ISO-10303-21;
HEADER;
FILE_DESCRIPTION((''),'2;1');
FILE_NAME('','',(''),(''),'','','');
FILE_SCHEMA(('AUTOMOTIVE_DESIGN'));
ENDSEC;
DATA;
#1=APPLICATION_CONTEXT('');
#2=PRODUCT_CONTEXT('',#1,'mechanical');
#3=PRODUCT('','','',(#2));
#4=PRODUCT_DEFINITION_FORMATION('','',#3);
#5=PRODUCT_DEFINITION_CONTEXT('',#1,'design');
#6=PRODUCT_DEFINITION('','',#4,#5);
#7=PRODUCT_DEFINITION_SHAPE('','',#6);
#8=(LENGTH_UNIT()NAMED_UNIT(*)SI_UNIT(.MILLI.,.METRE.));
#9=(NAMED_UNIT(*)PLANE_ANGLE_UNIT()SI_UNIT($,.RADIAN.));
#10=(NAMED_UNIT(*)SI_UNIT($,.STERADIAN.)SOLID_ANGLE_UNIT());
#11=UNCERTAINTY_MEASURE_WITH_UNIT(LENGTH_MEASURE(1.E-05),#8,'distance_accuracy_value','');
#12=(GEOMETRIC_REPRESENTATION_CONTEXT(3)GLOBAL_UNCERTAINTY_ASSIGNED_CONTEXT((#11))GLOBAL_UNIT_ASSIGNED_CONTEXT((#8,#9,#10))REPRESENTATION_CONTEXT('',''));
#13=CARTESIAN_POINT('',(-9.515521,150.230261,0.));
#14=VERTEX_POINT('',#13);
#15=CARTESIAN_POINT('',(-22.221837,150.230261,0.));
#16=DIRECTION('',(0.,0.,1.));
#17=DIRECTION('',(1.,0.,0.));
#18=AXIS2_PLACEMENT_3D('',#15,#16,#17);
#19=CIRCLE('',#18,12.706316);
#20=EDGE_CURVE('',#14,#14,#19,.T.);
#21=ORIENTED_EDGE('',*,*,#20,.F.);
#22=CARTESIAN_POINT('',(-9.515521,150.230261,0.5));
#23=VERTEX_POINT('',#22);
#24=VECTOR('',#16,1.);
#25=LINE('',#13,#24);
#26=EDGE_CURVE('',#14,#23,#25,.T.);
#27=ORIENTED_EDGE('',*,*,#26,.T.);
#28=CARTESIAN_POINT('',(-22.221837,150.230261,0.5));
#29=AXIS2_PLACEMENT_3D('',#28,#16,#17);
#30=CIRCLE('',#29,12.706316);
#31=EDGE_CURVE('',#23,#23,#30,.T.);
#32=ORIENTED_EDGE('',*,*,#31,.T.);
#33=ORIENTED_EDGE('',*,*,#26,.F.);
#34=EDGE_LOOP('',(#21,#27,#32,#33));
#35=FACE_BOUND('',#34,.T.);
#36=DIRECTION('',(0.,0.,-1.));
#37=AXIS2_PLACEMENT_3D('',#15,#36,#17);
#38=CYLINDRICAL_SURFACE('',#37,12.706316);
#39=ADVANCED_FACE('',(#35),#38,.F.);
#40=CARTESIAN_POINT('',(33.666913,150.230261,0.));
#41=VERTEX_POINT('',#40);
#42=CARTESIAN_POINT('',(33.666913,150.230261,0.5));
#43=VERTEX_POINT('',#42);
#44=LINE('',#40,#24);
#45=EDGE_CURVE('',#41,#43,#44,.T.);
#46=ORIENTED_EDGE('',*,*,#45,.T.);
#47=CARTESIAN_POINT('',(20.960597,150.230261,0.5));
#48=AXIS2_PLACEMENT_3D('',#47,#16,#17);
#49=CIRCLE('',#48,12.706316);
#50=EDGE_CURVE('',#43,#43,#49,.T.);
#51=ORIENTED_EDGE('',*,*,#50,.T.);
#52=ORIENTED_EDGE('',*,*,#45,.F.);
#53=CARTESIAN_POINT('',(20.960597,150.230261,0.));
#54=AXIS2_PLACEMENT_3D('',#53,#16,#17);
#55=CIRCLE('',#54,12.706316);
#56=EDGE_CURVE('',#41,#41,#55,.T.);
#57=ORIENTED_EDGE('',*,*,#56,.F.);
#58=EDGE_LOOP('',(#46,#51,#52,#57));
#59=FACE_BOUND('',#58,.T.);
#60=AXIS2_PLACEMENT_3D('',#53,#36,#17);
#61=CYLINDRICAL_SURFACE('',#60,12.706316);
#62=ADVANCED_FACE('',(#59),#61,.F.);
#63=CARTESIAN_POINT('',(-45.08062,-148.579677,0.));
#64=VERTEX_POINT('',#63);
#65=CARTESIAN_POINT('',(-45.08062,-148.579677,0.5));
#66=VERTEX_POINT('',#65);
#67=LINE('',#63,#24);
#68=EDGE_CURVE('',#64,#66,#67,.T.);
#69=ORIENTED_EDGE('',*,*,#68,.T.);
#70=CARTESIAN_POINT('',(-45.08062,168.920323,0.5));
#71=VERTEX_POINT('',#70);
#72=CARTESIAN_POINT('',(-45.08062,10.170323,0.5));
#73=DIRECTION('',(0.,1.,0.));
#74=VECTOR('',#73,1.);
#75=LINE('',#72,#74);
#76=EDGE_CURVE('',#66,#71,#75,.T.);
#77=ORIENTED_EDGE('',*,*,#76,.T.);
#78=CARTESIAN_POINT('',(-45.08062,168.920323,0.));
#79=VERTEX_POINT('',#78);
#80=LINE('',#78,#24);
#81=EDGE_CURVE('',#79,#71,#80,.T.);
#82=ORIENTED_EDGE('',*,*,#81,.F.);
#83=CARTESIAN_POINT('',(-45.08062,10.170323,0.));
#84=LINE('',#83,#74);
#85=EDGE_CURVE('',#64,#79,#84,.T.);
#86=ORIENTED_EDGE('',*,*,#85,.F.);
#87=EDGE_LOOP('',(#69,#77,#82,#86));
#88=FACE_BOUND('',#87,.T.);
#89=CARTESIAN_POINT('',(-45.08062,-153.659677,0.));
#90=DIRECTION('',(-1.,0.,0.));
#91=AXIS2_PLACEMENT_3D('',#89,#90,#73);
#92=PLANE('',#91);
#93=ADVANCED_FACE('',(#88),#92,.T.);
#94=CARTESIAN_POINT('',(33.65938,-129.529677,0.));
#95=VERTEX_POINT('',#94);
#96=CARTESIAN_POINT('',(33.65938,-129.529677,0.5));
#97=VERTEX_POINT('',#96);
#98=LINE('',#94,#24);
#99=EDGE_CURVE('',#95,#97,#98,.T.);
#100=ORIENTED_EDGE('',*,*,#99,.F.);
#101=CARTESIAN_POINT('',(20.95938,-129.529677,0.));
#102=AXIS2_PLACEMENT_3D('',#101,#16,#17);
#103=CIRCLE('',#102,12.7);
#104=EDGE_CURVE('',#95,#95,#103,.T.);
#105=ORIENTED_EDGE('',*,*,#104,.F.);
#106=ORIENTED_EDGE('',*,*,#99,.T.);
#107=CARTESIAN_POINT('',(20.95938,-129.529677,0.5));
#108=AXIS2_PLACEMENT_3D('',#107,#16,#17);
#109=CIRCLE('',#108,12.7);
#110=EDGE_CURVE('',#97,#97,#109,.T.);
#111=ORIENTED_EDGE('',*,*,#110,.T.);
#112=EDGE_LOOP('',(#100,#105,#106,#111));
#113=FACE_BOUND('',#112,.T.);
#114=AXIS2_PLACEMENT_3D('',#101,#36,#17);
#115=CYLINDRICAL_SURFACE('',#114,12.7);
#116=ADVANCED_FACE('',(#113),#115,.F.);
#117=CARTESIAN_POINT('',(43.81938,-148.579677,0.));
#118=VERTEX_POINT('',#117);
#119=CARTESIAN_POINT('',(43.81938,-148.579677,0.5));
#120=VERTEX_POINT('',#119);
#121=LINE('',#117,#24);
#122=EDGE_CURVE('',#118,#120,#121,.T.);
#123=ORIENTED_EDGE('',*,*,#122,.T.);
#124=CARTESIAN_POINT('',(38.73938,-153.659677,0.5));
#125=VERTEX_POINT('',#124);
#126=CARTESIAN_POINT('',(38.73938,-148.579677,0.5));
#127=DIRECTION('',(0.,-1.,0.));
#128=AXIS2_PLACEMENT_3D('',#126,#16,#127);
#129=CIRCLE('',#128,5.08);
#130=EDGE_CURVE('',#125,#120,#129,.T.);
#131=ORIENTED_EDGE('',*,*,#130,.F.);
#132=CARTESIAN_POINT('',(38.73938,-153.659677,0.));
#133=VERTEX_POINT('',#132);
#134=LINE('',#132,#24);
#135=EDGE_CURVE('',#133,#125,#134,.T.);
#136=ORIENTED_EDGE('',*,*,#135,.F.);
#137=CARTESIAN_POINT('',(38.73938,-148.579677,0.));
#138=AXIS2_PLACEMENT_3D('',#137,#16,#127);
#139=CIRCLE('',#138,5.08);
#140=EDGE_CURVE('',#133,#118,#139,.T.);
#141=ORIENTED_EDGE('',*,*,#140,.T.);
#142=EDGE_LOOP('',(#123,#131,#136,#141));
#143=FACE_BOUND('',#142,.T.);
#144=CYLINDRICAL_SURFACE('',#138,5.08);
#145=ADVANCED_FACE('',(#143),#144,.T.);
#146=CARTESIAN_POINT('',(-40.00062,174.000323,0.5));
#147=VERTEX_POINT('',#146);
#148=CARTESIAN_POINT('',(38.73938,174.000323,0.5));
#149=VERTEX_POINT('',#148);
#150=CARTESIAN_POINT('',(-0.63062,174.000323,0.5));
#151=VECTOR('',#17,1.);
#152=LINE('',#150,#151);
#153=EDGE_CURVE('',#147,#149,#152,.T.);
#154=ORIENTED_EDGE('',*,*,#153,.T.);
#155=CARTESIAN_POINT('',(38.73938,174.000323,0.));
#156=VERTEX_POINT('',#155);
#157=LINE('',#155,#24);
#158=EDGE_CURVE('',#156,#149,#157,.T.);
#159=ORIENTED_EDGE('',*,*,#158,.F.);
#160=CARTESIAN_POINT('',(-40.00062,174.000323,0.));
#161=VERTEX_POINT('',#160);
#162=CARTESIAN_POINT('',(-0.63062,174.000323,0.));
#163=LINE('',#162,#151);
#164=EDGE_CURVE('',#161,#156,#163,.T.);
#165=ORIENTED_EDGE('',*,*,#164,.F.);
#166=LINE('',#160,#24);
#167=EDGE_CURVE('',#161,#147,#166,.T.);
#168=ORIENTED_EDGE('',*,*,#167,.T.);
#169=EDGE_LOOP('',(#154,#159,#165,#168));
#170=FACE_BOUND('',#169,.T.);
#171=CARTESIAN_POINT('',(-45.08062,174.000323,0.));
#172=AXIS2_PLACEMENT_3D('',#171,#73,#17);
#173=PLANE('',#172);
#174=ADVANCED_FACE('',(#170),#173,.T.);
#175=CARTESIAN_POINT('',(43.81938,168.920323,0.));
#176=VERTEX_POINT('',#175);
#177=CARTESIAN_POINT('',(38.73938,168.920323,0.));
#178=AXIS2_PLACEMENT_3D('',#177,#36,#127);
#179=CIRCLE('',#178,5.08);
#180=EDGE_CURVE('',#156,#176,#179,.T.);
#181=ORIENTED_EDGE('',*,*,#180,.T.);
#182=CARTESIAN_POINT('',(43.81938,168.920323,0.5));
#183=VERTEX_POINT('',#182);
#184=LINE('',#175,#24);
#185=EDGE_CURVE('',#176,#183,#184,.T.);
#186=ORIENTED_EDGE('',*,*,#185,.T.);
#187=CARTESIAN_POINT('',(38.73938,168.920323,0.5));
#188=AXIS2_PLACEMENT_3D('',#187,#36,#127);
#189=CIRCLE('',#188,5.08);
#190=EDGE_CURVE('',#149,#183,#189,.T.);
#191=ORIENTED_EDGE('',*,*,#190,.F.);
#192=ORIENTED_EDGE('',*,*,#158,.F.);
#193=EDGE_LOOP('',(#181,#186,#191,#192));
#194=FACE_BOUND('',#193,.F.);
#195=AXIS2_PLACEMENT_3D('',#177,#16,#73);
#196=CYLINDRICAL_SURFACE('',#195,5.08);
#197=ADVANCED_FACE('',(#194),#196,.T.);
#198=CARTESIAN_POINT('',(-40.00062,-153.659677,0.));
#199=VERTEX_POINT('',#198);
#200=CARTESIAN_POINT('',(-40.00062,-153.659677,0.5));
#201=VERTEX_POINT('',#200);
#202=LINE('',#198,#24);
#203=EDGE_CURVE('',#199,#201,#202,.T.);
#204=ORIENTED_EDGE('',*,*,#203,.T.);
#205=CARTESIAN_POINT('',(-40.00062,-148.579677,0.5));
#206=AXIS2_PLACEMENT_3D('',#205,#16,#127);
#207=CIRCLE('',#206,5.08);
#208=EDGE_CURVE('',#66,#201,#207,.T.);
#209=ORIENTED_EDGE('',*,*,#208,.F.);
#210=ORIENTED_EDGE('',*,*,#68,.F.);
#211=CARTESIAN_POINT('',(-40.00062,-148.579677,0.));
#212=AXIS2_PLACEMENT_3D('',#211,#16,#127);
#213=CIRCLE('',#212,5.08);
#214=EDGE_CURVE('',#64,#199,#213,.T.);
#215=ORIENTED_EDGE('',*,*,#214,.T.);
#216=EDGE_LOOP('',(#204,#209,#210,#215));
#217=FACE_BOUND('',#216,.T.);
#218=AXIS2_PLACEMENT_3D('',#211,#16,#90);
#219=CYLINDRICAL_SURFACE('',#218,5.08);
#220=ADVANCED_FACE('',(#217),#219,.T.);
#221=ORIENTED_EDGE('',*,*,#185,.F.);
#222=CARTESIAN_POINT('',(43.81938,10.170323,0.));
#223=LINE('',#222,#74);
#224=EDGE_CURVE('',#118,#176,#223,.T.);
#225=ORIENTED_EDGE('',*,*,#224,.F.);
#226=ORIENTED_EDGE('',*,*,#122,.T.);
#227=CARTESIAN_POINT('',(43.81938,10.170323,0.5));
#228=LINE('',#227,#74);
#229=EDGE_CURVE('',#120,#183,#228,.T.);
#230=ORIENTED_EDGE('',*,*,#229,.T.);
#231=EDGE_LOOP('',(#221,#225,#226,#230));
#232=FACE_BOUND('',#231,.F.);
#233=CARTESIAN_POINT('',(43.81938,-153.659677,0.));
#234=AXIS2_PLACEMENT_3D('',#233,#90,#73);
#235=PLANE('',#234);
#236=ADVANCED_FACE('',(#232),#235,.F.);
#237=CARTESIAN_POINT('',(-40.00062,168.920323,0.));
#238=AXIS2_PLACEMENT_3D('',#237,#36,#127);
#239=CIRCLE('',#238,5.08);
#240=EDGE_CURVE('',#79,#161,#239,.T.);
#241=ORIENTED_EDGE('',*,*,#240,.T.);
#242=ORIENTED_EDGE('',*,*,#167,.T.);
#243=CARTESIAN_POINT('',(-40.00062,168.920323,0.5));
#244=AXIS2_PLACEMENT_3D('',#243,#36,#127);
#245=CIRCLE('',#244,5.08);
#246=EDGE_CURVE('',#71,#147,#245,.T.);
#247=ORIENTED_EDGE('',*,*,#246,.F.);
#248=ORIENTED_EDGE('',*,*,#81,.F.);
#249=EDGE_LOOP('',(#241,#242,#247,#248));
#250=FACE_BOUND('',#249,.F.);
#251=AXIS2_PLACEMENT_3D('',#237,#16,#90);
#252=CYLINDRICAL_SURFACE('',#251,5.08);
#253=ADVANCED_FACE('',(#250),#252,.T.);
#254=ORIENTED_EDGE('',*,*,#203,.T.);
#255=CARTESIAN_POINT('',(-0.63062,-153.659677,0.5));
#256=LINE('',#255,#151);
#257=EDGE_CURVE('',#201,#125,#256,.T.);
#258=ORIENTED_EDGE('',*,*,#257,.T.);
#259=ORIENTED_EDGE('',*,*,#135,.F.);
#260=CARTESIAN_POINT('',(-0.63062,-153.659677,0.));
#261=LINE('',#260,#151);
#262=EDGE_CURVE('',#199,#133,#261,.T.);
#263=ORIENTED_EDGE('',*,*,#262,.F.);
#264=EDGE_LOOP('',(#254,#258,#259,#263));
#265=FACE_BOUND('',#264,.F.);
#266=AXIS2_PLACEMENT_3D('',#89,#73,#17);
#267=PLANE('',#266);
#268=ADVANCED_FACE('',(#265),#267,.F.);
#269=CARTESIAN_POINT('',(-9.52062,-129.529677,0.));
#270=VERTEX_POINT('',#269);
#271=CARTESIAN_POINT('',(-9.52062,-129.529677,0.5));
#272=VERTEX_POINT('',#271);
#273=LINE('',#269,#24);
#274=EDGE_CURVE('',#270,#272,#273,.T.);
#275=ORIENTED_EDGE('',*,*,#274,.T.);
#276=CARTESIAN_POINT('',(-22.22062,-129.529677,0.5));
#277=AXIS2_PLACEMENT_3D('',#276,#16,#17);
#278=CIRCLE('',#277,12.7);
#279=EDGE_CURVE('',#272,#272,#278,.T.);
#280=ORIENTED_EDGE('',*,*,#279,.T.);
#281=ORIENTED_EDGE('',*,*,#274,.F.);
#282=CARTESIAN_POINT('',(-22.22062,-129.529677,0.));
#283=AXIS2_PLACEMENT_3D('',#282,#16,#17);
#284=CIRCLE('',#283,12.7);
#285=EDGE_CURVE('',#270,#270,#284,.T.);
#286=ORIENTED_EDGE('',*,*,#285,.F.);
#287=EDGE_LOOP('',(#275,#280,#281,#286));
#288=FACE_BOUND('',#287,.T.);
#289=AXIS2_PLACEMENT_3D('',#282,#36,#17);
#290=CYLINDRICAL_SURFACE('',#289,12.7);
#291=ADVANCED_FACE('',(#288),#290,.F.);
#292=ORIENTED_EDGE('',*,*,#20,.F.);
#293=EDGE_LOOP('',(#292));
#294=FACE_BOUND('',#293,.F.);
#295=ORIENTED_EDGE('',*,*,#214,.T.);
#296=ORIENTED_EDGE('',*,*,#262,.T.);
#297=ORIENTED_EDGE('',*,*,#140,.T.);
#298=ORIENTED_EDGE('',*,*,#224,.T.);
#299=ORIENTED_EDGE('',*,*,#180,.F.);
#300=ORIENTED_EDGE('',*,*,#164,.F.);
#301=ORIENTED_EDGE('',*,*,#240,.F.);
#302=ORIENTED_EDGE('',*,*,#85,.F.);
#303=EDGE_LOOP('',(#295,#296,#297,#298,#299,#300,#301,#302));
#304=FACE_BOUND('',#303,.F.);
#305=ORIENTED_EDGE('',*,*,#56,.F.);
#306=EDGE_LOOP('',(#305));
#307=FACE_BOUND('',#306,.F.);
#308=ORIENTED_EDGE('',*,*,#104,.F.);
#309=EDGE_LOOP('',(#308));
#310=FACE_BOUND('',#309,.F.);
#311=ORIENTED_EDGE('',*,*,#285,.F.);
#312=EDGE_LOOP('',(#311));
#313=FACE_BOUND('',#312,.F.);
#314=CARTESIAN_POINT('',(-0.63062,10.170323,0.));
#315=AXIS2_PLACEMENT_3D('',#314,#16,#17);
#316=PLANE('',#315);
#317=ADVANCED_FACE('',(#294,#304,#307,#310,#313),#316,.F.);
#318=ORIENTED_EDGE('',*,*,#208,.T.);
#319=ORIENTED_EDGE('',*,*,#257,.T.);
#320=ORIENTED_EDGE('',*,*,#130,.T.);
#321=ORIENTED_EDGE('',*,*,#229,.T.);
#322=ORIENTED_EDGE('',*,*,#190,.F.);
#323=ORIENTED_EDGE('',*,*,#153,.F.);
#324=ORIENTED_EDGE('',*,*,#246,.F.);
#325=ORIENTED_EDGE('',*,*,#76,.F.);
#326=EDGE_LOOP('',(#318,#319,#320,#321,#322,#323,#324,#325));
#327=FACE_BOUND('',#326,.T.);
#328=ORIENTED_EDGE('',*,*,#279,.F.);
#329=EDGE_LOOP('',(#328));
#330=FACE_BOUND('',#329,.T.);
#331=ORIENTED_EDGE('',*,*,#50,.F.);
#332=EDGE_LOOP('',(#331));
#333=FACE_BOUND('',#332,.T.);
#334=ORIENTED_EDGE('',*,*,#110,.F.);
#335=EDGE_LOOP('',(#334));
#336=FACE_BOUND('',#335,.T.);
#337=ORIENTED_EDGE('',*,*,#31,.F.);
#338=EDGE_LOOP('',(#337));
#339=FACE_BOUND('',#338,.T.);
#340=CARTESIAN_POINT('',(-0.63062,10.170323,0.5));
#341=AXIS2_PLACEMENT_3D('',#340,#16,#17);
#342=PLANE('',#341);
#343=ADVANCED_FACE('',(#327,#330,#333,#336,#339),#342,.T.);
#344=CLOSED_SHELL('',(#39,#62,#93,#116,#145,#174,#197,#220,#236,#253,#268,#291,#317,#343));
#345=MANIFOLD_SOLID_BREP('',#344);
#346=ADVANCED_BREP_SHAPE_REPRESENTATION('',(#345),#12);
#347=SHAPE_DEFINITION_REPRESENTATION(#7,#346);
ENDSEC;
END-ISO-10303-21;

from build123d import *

# Parameters (mm, degrees)
F0_W     = 88.9
F0_H     = 327.66
F0_R     = 12.7
F0_R_2   = 12.706316
F1_DEPTH = 0.5
F2_R     = 5.08


with BuildPart() as f1:
    # F0 (on Top) → F1 (new body)
    with BuildSketch(Plane.XY):
        with Locations((-0.63062, 10.170323)):
            Rectangle(F0_W, F0_H)
        with Locations((-22.22062, -129.529677)):
            Circle(F0_R, mode=Mode.SUBTRACT)
        with Locations((20.95938, -129.529677)):
            Circle(F0_R, mode=Mode.SUBTRACT)
        with Locations((-22.221837, 150.230261)):
            Circle(F0_R_2, mode=Mode.SUBTRACT)
        with Locations((20.960597, 150.230261)):
            Circle(F0_R_2, mode=Mode.SUBTRACT)
    extrude(amount=F1_DEPTH)

    # F2
    f2_edges = [f1.edges().sort_by_distance(p)[0] for p in [
        (-45.08062, 174.000323, 0.25),
        (43.81938, 174.000323, 0.25),
        (43.81938, -153.659677, 0.25),
        (-45.08062, -153.659677, 0.25),
    ]]
    fillet(f2_edges, radius=F2_R)


solid = f1.part
